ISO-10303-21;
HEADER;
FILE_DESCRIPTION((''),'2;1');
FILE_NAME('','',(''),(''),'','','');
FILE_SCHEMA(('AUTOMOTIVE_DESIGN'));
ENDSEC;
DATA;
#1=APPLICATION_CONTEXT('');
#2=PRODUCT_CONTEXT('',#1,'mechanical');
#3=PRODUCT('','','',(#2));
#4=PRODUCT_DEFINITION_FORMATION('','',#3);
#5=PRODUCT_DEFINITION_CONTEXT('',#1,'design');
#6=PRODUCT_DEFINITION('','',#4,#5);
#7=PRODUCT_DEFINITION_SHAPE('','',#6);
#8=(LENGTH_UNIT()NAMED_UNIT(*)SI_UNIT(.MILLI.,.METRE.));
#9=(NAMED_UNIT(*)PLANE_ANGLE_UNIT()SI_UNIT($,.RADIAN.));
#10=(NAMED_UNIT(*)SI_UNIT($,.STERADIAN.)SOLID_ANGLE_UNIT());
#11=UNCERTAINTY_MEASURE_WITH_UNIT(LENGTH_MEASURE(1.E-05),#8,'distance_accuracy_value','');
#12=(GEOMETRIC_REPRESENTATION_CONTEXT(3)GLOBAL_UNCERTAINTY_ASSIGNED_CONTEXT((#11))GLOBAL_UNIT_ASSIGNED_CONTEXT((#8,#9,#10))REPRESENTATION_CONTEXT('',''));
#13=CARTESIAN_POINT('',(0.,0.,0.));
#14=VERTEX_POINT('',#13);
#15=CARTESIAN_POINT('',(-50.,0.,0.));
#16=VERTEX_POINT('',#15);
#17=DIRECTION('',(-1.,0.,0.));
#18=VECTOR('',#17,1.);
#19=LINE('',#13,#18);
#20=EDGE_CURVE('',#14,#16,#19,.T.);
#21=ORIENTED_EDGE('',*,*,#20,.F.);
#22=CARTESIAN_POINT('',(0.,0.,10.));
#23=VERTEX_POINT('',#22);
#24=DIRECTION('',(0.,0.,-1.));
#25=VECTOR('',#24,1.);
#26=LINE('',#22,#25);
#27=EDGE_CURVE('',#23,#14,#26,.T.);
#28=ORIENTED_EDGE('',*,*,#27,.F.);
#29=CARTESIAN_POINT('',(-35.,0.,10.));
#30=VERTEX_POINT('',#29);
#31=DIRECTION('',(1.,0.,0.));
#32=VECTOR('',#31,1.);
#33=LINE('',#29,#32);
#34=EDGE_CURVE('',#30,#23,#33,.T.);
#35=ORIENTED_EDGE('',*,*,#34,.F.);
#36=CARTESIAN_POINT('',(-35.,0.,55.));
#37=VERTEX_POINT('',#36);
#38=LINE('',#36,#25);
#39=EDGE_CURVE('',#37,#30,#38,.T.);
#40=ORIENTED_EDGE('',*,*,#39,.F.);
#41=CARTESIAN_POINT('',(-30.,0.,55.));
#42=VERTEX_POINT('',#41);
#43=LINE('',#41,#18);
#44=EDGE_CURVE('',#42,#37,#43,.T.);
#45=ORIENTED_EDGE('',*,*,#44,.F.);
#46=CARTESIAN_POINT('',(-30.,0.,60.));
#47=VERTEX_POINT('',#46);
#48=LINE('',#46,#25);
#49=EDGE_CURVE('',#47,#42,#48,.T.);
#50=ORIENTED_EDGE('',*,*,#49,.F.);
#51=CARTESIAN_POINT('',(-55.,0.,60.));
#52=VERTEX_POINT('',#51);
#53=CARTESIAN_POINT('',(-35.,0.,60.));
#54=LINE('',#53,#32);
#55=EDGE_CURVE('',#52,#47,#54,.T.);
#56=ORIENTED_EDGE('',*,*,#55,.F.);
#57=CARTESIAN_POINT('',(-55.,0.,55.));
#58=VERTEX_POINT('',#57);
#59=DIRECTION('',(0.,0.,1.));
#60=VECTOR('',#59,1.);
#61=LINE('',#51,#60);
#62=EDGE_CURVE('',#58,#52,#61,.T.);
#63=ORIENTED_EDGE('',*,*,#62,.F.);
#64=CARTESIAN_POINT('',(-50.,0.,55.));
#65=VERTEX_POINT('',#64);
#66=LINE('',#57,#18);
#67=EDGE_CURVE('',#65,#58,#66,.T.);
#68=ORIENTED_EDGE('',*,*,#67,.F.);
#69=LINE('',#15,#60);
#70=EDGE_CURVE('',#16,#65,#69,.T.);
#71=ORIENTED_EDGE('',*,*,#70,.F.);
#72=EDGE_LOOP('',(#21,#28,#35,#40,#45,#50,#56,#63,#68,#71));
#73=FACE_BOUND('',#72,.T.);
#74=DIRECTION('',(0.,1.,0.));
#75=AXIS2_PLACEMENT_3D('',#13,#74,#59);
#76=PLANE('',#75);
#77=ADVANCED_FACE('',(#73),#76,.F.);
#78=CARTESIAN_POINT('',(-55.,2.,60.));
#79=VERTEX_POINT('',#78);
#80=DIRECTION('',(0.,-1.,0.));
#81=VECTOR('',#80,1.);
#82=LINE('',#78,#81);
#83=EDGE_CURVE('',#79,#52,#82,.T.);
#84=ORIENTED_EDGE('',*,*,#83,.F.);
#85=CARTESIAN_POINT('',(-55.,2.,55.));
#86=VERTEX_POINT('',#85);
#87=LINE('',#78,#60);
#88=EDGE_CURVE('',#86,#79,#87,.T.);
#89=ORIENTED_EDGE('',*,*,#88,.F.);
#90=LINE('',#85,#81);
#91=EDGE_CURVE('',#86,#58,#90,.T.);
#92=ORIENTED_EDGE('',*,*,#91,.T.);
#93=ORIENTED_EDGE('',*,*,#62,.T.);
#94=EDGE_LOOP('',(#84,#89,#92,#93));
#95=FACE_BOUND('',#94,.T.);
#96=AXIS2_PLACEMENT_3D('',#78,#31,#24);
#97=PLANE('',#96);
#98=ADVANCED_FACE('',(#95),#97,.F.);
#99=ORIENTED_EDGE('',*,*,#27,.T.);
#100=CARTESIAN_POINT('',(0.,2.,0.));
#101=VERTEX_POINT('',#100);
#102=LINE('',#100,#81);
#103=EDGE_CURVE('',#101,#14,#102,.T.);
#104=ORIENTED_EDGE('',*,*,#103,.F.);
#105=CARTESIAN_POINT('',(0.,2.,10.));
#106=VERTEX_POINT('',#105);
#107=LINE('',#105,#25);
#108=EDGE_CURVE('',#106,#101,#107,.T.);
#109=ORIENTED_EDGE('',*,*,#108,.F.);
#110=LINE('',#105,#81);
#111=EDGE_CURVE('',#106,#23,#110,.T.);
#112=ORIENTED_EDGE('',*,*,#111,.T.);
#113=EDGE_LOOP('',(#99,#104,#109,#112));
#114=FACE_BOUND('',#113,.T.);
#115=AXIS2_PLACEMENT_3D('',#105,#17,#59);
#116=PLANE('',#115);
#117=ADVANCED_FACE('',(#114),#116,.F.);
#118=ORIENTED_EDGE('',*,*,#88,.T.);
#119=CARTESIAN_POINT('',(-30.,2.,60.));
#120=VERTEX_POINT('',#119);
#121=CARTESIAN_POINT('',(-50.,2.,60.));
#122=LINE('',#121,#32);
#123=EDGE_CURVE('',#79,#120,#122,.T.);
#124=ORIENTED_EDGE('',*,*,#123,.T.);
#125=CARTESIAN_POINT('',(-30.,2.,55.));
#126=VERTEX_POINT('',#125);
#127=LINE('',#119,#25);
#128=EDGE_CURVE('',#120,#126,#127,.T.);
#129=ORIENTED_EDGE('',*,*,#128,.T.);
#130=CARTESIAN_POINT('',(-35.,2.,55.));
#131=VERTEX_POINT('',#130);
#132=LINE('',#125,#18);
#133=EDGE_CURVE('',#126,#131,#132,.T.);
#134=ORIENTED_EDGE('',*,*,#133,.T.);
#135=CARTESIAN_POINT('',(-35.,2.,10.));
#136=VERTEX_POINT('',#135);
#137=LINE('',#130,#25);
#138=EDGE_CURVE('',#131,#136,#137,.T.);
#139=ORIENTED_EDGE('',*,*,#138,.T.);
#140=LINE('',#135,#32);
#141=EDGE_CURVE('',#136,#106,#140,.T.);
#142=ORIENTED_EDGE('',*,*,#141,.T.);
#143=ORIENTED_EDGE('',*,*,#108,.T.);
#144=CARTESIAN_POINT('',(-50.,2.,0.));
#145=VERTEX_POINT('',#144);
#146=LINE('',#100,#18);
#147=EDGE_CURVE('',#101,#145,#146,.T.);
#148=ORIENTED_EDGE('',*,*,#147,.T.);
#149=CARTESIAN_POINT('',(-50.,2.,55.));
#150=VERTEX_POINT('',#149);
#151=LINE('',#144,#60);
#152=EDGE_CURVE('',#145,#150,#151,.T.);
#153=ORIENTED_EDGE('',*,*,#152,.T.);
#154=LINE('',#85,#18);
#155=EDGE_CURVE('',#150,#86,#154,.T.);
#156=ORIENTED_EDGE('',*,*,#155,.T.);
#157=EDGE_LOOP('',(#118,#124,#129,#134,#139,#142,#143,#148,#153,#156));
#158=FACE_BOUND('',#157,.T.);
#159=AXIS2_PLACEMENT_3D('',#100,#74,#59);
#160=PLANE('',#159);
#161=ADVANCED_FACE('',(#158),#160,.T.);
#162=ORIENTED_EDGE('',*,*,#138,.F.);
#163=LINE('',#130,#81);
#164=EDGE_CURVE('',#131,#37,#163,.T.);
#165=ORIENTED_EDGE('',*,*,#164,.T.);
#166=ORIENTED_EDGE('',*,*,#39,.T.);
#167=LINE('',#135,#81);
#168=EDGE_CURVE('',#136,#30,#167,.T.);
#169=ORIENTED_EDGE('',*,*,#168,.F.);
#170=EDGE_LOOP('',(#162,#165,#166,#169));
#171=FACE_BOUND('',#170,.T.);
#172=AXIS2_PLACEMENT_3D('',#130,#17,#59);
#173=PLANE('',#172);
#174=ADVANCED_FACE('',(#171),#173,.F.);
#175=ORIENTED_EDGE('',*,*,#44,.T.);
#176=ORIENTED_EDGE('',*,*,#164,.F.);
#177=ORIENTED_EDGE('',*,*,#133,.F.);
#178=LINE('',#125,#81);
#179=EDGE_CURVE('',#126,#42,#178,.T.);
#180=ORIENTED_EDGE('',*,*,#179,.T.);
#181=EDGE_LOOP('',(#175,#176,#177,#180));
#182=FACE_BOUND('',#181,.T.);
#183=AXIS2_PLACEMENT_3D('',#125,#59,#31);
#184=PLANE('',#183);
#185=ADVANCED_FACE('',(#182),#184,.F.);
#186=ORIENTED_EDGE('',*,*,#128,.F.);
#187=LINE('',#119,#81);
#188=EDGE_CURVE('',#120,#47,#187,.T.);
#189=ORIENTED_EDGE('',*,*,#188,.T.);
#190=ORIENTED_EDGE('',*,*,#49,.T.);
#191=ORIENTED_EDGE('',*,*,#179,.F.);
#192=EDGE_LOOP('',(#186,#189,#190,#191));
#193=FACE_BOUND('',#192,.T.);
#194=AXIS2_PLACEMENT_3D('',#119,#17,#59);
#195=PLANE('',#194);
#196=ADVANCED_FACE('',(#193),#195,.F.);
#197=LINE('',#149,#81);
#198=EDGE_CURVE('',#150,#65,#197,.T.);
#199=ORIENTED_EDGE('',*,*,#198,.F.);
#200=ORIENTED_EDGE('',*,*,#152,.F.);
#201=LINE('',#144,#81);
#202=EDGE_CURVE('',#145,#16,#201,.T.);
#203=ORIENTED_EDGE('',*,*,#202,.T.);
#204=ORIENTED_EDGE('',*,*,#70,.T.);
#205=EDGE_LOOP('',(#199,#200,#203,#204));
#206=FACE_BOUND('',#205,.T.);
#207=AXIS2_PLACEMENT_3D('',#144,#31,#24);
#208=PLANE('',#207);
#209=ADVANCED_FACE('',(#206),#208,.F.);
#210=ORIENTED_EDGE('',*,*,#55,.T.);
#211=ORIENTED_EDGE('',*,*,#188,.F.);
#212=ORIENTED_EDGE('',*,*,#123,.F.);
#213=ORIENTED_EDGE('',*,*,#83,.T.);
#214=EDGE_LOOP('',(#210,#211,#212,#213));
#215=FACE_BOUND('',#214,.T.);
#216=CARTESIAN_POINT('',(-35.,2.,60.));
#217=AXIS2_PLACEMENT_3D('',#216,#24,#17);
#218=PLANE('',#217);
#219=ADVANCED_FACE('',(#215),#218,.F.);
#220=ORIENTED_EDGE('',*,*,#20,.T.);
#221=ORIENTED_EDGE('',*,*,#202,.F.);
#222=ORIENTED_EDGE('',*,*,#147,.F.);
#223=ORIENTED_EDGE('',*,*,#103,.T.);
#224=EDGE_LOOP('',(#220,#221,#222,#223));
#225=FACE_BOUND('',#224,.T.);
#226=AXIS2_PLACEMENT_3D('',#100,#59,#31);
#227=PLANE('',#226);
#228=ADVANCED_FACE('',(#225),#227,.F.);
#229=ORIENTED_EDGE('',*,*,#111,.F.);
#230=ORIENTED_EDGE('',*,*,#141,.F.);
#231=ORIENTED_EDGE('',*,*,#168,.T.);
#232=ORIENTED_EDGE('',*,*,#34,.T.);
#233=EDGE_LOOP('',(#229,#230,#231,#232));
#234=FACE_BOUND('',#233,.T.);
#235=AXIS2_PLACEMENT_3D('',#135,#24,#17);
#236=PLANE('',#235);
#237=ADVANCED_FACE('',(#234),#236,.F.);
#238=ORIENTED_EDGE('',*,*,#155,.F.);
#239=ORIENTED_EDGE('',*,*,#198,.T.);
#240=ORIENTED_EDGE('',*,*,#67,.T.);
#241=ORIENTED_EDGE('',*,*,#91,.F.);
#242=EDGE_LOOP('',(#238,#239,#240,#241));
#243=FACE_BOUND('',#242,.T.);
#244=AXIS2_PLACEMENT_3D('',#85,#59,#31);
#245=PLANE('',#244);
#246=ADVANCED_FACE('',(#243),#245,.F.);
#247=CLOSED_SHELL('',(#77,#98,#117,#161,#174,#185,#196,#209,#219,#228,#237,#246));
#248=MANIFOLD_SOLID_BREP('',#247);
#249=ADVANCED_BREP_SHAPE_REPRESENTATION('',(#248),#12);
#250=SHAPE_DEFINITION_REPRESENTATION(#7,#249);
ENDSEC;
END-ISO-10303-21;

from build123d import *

# Parameters (mm, degrees)
BOSS_EXTRUDE1_DEPTH = 2


with BuildPart() as part:
    # Sketch2 → Boss-Extrude1 (new body)
    with BuildSketch(Plane(origin=(0, 0, 0), x_dir=(1, 0, 0), z_dir=(0, 1, 0))):
        Polygon((0, 0), (-50, 0), (-50, -55), (-55, -55), (-55, -60), (-50, -60), (-35, -60), (-30, -60), (-30, -55), (-35, -55), (-35, -10), (0, -10), align=None)
    extrude(amount=BOSS_EXTRUDE1_DEPTH)


solid = part.part
